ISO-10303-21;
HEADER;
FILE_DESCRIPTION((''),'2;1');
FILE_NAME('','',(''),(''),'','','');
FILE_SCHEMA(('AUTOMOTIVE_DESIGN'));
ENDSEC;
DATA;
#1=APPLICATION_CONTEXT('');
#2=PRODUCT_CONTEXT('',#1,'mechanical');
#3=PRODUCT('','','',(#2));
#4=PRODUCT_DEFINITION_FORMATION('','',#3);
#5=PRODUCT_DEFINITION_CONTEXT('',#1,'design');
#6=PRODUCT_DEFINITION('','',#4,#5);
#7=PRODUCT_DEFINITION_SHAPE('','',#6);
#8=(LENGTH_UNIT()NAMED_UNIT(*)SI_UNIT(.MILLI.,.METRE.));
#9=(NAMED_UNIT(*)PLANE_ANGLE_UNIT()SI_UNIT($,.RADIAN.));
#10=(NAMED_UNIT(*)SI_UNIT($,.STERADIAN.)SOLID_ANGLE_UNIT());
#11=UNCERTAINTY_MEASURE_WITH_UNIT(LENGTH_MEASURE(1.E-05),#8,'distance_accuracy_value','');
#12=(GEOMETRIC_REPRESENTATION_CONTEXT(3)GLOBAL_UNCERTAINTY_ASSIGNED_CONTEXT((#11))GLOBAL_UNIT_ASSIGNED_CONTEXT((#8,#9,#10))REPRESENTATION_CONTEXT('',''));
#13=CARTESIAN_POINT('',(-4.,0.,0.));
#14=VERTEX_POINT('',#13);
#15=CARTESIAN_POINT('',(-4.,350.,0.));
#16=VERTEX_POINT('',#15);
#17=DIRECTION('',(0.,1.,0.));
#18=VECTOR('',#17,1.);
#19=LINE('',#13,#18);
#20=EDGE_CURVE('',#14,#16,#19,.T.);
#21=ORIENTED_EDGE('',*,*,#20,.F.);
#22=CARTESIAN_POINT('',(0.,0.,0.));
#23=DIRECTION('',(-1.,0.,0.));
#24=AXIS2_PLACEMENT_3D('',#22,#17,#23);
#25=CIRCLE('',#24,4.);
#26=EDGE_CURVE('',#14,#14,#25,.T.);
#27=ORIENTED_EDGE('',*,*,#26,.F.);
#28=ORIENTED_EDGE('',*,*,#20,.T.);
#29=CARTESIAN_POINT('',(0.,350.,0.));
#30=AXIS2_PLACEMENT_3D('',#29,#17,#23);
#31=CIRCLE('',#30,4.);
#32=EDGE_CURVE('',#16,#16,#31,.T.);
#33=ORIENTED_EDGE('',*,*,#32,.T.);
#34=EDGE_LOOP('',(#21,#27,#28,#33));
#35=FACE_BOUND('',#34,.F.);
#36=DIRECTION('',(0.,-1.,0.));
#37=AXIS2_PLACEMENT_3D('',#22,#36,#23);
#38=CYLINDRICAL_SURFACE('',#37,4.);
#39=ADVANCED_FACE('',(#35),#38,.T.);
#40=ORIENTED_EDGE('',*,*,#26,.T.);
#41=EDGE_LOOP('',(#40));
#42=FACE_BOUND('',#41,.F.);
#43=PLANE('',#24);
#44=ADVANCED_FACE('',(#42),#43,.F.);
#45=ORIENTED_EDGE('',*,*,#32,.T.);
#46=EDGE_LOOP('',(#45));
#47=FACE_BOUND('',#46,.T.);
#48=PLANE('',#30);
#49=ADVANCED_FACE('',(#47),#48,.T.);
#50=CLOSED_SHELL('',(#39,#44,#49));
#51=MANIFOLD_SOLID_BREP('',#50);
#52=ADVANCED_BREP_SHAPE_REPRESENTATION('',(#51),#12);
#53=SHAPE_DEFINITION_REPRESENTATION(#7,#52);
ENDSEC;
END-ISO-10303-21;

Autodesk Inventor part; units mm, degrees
ref_plane "YZ Plane" through (0, 0, 0) normal (1, 0, 0) x (0, 1, 0)
ref_plane "XY Plane" through (0, 0, 0) normal (0, 0, 1) x (1, 0, 0)
sketch "Sketch1" plane through (0, 0, 0) normal (0, 1, 0) x (-1, 0, 0)
  circle A0 centre (0, 0) radius 4
  dimension "d0" = 8
ref_plane "Work Plane4" through (0, 350, 0) normal (0, 1, 0) x (-1, 0, 0)
extrude "Extrusion2" add sketch "Sketch1" along normal up to surface (350 mm away)
thread "Thread2" size "TR8x1.5" class "7e" standard "ISO Metric Trapezoidal Threads" full length
properties part number "350mmx8mm Lead Screw" material "Stainless Steel"
